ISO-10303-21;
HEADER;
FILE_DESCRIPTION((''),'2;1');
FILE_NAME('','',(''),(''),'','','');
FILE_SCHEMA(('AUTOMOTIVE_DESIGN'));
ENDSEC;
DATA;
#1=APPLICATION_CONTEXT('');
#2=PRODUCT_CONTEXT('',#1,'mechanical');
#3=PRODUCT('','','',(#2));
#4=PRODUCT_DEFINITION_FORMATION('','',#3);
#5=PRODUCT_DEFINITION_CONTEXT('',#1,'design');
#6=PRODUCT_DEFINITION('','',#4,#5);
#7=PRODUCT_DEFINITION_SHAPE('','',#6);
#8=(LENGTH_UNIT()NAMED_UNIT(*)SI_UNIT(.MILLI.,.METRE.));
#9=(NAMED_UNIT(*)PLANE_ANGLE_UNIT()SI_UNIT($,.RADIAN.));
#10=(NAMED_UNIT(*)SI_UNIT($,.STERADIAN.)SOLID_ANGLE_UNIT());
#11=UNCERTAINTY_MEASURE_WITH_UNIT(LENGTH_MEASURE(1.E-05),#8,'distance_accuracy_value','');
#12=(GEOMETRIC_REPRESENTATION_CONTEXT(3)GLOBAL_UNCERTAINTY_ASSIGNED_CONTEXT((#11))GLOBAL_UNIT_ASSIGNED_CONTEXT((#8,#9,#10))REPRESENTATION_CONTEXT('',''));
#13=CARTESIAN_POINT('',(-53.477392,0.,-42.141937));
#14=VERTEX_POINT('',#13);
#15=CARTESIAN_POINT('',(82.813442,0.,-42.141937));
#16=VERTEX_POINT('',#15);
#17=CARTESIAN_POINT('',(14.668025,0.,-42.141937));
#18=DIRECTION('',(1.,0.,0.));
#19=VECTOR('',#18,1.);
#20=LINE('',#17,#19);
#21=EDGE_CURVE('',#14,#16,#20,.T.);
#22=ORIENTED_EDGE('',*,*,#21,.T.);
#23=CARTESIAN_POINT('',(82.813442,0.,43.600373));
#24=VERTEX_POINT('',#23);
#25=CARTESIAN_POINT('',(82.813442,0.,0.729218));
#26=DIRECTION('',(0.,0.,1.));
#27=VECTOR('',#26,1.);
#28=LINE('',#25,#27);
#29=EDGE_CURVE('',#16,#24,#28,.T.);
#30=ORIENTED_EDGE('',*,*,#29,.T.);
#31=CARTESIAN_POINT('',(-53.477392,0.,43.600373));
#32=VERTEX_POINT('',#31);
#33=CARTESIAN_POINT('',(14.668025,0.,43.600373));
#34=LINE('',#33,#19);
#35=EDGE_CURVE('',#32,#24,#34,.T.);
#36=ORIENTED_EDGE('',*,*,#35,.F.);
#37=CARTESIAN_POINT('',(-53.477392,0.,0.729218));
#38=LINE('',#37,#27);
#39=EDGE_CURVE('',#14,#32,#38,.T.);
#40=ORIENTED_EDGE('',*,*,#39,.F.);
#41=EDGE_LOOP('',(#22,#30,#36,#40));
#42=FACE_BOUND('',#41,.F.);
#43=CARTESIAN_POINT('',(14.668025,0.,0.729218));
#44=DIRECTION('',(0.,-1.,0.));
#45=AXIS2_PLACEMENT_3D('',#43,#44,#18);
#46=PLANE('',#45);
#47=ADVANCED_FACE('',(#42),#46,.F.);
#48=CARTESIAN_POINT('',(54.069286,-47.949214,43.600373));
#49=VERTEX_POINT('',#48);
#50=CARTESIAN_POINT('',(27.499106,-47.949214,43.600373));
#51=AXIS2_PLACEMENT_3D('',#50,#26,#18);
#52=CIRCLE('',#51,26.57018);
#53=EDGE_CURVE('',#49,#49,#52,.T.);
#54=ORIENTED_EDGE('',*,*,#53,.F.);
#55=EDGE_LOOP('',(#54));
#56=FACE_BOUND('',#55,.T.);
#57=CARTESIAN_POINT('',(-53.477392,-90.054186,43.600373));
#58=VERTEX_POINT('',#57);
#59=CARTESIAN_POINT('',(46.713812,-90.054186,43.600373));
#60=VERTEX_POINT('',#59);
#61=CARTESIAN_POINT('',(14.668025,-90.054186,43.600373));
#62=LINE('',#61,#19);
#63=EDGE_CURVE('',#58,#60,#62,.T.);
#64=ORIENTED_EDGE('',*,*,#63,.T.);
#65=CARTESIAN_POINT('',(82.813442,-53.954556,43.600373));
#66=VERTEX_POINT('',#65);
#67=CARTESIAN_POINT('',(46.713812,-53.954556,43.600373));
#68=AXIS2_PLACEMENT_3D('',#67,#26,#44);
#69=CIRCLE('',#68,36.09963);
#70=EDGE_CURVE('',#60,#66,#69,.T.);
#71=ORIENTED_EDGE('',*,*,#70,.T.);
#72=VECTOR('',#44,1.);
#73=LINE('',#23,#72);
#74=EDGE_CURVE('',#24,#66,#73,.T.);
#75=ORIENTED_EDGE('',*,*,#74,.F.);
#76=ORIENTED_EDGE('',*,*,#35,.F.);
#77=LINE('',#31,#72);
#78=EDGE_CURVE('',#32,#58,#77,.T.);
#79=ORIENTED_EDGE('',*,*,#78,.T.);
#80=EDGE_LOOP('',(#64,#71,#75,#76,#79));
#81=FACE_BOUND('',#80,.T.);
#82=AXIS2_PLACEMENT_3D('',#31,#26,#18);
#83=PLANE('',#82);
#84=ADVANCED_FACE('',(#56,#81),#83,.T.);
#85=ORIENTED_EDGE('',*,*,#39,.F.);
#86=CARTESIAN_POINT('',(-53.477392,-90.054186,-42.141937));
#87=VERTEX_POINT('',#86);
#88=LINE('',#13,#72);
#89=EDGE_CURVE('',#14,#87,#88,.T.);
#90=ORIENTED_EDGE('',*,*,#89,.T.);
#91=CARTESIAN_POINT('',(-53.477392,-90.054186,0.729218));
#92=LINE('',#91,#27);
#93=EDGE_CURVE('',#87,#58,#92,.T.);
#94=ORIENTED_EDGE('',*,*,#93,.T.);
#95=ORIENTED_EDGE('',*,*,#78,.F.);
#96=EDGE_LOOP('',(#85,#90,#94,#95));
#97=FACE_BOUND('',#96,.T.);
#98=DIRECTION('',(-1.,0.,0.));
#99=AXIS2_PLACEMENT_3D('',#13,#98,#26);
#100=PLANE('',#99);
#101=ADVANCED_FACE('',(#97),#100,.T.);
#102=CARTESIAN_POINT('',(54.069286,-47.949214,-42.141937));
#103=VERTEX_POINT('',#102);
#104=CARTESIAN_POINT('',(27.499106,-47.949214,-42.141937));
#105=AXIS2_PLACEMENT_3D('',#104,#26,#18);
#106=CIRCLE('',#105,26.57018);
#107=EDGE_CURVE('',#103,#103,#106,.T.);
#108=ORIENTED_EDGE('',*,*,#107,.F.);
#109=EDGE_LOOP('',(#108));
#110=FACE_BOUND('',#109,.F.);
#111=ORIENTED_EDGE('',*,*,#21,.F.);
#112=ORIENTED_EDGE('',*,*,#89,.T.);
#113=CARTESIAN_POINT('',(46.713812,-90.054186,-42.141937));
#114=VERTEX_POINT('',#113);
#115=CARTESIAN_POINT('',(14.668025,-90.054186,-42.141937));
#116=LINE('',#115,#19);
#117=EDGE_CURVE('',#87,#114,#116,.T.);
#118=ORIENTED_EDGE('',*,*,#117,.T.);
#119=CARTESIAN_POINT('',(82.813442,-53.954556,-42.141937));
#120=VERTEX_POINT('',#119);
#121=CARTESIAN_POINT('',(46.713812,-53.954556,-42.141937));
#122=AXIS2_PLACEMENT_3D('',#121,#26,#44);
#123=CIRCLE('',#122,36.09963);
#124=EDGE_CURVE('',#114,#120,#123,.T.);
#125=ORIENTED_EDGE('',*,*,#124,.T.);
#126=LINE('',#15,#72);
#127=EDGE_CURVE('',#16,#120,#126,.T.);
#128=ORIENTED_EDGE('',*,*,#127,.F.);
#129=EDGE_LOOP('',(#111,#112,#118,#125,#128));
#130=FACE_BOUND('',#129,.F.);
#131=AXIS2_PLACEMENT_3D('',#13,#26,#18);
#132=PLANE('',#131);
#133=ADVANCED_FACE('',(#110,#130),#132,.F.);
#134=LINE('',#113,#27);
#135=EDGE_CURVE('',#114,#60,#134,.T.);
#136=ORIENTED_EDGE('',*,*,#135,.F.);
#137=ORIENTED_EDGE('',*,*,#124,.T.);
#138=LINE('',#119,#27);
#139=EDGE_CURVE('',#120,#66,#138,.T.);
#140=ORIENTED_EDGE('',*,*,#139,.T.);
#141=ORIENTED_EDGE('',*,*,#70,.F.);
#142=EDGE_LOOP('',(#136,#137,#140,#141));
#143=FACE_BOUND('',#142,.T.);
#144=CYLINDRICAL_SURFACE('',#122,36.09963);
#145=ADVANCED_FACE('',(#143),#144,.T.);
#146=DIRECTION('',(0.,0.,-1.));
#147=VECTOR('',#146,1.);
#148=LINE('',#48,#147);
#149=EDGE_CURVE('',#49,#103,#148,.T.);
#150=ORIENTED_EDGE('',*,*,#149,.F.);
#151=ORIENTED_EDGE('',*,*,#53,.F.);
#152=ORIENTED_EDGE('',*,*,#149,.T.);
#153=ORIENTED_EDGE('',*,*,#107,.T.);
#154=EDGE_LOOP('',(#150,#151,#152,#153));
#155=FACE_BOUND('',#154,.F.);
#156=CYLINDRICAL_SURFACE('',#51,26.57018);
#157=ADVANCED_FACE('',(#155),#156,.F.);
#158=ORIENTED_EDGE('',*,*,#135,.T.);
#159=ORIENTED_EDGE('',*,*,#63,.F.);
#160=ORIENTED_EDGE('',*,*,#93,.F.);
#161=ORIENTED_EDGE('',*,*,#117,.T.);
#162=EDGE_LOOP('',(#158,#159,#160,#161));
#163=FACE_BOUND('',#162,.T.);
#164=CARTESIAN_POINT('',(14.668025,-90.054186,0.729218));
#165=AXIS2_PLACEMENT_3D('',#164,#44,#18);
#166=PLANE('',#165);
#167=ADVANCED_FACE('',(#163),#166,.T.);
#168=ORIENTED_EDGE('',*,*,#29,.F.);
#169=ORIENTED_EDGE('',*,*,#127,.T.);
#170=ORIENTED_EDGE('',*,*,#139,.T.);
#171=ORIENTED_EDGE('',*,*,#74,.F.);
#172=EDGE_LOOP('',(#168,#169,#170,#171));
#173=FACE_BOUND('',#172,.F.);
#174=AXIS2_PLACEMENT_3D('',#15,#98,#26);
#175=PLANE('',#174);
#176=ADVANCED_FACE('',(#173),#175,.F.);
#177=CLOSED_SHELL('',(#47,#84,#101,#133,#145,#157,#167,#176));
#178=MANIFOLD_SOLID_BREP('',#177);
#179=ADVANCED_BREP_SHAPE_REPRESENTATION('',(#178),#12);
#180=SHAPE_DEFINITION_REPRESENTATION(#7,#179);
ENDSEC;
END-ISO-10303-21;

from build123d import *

# Parameters (mm, degrees)
F0_W     = 136.290834
F0_H     = 85.74231
F1_DEPTH = 90.054186
F2_R     = 26.57018
F3_DEPTH = 175.134316
F4_R     = 36.09963


with BuildPart() as f1:
    # F0 (on Front) → F1 (new body)
    with BuildSketch(Plane.XZ):
        with Locations((14.668025, 0.729218)):
            Rectangle(F0_W, F0_H)
    extrude(amount=F1_DEPTH)

    # F2 (on face) → F3 (cut)
    with BuildSketch(Plane.XY.offset(43.600373)):
        with Locations((27.499106, -47.949214)):
            Circle(F2_R)
    extrude(amount=-F3_DEPTH, mode=Mode.SUBTRACT)

    # F4
    f4_edges = [f1.edges().sort_by_distance(p)[0] for p in [
        (82.813442, -90.054186, 0.729218),
    ]]
    fillet(f4_edges, radius=F4_R)


solid = f1.part
